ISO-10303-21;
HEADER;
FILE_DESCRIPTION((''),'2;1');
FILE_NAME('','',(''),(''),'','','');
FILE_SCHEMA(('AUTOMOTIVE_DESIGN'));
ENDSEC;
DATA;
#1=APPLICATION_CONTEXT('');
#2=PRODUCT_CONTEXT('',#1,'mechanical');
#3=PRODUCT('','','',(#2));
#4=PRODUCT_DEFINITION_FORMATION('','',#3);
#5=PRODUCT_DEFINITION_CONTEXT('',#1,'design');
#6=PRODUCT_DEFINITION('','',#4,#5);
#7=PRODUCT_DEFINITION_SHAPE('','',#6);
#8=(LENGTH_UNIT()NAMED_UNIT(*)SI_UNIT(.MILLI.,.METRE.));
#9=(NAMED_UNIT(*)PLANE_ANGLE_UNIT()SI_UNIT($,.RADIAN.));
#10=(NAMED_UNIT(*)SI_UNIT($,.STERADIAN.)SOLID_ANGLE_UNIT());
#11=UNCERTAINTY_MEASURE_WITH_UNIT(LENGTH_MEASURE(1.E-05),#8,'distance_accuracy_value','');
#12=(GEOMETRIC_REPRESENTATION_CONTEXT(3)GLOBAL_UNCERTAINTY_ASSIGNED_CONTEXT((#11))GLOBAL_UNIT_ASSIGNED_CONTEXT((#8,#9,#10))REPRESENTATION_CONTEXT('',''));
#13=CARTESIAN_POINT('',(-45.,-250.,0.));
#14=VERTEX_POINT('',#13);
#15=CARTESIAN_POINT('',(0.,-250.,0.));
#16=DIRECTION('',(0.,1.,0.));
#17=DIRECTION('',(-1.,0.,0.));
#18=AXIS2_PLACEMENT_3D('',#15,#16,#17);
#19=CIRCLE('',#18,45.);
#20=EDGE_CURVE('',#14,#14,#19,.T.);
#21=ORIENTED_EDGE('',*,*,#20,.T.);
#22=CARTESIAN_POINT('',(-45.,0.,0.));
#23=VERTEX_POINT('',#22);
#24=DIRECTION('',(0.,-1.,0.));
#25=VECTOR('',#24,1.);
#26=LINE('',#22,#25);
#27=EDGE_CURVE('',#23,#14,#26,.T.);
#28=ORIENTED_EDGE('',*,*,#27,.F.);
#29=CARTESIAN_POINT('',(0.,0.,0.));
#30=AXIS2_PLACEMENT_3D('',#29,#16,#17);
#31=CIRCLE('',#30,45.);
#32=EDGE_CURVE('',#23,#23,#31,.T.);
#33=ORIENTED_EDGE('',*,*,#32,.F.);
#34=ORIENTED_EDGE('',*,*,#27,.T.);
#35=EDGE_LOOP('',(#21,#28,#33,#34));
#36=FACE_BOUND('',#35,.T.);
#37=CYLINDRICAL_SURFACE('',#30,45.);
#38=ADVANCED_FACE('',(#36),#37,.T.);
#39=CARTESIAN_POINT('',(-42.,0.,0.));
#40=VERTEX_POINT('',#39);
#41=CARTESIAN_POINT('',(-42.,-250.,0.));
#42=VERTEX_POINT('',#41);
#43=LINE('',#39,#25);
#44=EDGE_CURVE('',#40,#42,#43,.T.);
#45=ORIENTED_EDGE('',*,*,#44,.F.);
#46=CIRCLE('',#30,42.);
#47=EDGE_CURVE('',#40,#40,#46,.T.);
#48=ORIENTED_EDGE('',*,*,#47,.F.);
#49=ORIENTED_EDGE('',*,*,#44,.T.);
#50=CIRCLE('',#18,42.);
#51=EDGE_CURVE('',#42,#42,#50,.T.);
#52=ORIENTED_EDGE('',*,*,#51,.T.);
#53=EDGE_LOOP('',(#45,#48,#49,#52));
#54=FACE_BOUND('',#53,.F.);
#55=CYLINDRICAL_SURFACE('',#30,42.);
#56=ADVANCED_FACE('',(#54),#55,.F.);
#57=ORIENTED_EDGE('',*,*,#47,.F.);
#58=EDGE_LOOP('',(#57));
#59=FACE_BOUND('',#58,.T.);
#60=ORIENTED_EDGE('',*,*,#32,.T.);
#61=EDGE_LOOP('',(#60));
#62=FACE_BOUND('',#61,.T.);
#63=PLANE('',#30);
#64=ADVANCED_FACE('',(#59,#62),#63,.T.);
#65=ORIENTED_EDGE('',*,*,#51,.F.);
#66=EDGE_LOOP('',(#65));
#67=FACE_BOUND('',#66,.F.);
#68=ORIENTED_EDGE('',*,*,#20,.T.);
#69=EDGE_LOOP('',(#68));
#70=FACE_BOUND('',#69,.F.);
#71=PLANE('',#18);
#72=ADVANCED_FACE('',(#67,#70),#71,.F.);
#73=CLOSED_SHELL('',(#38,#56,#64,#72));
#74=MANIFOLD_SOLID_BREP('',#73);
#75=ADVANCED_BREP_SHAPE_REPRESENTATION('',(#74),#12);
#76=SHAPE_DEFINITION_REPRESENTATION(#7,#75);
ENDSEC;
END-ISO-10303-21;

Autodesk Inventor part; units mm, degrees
ref_plane "YZ Plane" through (0, 0, 0) normal (1, 0, 0) x (0, 1, 0)
ref_plane "XZ Plane" through (0, 0, 0) normal (0, 1, 0) x (-1, 0, 0)
ref_plane "XY Plane" through (0, 0, 0) normal (0, 0, 1) x (1, 0, 0)
sketch "Sketch1" plane through (0, 0, 0) normal (0, 1, 0) x (-1, 0, 0)
  circle A0 centre (0, 0) radius 45
  circle A1 centre (0, 0) radius 42
  dimension "d0" = 90
  dimension "d1" = 3
extrude "Extrusion1" add sketch "Sketch1" against normal blind 250
properties part number "PNS 654 FDS940 tube 4"
